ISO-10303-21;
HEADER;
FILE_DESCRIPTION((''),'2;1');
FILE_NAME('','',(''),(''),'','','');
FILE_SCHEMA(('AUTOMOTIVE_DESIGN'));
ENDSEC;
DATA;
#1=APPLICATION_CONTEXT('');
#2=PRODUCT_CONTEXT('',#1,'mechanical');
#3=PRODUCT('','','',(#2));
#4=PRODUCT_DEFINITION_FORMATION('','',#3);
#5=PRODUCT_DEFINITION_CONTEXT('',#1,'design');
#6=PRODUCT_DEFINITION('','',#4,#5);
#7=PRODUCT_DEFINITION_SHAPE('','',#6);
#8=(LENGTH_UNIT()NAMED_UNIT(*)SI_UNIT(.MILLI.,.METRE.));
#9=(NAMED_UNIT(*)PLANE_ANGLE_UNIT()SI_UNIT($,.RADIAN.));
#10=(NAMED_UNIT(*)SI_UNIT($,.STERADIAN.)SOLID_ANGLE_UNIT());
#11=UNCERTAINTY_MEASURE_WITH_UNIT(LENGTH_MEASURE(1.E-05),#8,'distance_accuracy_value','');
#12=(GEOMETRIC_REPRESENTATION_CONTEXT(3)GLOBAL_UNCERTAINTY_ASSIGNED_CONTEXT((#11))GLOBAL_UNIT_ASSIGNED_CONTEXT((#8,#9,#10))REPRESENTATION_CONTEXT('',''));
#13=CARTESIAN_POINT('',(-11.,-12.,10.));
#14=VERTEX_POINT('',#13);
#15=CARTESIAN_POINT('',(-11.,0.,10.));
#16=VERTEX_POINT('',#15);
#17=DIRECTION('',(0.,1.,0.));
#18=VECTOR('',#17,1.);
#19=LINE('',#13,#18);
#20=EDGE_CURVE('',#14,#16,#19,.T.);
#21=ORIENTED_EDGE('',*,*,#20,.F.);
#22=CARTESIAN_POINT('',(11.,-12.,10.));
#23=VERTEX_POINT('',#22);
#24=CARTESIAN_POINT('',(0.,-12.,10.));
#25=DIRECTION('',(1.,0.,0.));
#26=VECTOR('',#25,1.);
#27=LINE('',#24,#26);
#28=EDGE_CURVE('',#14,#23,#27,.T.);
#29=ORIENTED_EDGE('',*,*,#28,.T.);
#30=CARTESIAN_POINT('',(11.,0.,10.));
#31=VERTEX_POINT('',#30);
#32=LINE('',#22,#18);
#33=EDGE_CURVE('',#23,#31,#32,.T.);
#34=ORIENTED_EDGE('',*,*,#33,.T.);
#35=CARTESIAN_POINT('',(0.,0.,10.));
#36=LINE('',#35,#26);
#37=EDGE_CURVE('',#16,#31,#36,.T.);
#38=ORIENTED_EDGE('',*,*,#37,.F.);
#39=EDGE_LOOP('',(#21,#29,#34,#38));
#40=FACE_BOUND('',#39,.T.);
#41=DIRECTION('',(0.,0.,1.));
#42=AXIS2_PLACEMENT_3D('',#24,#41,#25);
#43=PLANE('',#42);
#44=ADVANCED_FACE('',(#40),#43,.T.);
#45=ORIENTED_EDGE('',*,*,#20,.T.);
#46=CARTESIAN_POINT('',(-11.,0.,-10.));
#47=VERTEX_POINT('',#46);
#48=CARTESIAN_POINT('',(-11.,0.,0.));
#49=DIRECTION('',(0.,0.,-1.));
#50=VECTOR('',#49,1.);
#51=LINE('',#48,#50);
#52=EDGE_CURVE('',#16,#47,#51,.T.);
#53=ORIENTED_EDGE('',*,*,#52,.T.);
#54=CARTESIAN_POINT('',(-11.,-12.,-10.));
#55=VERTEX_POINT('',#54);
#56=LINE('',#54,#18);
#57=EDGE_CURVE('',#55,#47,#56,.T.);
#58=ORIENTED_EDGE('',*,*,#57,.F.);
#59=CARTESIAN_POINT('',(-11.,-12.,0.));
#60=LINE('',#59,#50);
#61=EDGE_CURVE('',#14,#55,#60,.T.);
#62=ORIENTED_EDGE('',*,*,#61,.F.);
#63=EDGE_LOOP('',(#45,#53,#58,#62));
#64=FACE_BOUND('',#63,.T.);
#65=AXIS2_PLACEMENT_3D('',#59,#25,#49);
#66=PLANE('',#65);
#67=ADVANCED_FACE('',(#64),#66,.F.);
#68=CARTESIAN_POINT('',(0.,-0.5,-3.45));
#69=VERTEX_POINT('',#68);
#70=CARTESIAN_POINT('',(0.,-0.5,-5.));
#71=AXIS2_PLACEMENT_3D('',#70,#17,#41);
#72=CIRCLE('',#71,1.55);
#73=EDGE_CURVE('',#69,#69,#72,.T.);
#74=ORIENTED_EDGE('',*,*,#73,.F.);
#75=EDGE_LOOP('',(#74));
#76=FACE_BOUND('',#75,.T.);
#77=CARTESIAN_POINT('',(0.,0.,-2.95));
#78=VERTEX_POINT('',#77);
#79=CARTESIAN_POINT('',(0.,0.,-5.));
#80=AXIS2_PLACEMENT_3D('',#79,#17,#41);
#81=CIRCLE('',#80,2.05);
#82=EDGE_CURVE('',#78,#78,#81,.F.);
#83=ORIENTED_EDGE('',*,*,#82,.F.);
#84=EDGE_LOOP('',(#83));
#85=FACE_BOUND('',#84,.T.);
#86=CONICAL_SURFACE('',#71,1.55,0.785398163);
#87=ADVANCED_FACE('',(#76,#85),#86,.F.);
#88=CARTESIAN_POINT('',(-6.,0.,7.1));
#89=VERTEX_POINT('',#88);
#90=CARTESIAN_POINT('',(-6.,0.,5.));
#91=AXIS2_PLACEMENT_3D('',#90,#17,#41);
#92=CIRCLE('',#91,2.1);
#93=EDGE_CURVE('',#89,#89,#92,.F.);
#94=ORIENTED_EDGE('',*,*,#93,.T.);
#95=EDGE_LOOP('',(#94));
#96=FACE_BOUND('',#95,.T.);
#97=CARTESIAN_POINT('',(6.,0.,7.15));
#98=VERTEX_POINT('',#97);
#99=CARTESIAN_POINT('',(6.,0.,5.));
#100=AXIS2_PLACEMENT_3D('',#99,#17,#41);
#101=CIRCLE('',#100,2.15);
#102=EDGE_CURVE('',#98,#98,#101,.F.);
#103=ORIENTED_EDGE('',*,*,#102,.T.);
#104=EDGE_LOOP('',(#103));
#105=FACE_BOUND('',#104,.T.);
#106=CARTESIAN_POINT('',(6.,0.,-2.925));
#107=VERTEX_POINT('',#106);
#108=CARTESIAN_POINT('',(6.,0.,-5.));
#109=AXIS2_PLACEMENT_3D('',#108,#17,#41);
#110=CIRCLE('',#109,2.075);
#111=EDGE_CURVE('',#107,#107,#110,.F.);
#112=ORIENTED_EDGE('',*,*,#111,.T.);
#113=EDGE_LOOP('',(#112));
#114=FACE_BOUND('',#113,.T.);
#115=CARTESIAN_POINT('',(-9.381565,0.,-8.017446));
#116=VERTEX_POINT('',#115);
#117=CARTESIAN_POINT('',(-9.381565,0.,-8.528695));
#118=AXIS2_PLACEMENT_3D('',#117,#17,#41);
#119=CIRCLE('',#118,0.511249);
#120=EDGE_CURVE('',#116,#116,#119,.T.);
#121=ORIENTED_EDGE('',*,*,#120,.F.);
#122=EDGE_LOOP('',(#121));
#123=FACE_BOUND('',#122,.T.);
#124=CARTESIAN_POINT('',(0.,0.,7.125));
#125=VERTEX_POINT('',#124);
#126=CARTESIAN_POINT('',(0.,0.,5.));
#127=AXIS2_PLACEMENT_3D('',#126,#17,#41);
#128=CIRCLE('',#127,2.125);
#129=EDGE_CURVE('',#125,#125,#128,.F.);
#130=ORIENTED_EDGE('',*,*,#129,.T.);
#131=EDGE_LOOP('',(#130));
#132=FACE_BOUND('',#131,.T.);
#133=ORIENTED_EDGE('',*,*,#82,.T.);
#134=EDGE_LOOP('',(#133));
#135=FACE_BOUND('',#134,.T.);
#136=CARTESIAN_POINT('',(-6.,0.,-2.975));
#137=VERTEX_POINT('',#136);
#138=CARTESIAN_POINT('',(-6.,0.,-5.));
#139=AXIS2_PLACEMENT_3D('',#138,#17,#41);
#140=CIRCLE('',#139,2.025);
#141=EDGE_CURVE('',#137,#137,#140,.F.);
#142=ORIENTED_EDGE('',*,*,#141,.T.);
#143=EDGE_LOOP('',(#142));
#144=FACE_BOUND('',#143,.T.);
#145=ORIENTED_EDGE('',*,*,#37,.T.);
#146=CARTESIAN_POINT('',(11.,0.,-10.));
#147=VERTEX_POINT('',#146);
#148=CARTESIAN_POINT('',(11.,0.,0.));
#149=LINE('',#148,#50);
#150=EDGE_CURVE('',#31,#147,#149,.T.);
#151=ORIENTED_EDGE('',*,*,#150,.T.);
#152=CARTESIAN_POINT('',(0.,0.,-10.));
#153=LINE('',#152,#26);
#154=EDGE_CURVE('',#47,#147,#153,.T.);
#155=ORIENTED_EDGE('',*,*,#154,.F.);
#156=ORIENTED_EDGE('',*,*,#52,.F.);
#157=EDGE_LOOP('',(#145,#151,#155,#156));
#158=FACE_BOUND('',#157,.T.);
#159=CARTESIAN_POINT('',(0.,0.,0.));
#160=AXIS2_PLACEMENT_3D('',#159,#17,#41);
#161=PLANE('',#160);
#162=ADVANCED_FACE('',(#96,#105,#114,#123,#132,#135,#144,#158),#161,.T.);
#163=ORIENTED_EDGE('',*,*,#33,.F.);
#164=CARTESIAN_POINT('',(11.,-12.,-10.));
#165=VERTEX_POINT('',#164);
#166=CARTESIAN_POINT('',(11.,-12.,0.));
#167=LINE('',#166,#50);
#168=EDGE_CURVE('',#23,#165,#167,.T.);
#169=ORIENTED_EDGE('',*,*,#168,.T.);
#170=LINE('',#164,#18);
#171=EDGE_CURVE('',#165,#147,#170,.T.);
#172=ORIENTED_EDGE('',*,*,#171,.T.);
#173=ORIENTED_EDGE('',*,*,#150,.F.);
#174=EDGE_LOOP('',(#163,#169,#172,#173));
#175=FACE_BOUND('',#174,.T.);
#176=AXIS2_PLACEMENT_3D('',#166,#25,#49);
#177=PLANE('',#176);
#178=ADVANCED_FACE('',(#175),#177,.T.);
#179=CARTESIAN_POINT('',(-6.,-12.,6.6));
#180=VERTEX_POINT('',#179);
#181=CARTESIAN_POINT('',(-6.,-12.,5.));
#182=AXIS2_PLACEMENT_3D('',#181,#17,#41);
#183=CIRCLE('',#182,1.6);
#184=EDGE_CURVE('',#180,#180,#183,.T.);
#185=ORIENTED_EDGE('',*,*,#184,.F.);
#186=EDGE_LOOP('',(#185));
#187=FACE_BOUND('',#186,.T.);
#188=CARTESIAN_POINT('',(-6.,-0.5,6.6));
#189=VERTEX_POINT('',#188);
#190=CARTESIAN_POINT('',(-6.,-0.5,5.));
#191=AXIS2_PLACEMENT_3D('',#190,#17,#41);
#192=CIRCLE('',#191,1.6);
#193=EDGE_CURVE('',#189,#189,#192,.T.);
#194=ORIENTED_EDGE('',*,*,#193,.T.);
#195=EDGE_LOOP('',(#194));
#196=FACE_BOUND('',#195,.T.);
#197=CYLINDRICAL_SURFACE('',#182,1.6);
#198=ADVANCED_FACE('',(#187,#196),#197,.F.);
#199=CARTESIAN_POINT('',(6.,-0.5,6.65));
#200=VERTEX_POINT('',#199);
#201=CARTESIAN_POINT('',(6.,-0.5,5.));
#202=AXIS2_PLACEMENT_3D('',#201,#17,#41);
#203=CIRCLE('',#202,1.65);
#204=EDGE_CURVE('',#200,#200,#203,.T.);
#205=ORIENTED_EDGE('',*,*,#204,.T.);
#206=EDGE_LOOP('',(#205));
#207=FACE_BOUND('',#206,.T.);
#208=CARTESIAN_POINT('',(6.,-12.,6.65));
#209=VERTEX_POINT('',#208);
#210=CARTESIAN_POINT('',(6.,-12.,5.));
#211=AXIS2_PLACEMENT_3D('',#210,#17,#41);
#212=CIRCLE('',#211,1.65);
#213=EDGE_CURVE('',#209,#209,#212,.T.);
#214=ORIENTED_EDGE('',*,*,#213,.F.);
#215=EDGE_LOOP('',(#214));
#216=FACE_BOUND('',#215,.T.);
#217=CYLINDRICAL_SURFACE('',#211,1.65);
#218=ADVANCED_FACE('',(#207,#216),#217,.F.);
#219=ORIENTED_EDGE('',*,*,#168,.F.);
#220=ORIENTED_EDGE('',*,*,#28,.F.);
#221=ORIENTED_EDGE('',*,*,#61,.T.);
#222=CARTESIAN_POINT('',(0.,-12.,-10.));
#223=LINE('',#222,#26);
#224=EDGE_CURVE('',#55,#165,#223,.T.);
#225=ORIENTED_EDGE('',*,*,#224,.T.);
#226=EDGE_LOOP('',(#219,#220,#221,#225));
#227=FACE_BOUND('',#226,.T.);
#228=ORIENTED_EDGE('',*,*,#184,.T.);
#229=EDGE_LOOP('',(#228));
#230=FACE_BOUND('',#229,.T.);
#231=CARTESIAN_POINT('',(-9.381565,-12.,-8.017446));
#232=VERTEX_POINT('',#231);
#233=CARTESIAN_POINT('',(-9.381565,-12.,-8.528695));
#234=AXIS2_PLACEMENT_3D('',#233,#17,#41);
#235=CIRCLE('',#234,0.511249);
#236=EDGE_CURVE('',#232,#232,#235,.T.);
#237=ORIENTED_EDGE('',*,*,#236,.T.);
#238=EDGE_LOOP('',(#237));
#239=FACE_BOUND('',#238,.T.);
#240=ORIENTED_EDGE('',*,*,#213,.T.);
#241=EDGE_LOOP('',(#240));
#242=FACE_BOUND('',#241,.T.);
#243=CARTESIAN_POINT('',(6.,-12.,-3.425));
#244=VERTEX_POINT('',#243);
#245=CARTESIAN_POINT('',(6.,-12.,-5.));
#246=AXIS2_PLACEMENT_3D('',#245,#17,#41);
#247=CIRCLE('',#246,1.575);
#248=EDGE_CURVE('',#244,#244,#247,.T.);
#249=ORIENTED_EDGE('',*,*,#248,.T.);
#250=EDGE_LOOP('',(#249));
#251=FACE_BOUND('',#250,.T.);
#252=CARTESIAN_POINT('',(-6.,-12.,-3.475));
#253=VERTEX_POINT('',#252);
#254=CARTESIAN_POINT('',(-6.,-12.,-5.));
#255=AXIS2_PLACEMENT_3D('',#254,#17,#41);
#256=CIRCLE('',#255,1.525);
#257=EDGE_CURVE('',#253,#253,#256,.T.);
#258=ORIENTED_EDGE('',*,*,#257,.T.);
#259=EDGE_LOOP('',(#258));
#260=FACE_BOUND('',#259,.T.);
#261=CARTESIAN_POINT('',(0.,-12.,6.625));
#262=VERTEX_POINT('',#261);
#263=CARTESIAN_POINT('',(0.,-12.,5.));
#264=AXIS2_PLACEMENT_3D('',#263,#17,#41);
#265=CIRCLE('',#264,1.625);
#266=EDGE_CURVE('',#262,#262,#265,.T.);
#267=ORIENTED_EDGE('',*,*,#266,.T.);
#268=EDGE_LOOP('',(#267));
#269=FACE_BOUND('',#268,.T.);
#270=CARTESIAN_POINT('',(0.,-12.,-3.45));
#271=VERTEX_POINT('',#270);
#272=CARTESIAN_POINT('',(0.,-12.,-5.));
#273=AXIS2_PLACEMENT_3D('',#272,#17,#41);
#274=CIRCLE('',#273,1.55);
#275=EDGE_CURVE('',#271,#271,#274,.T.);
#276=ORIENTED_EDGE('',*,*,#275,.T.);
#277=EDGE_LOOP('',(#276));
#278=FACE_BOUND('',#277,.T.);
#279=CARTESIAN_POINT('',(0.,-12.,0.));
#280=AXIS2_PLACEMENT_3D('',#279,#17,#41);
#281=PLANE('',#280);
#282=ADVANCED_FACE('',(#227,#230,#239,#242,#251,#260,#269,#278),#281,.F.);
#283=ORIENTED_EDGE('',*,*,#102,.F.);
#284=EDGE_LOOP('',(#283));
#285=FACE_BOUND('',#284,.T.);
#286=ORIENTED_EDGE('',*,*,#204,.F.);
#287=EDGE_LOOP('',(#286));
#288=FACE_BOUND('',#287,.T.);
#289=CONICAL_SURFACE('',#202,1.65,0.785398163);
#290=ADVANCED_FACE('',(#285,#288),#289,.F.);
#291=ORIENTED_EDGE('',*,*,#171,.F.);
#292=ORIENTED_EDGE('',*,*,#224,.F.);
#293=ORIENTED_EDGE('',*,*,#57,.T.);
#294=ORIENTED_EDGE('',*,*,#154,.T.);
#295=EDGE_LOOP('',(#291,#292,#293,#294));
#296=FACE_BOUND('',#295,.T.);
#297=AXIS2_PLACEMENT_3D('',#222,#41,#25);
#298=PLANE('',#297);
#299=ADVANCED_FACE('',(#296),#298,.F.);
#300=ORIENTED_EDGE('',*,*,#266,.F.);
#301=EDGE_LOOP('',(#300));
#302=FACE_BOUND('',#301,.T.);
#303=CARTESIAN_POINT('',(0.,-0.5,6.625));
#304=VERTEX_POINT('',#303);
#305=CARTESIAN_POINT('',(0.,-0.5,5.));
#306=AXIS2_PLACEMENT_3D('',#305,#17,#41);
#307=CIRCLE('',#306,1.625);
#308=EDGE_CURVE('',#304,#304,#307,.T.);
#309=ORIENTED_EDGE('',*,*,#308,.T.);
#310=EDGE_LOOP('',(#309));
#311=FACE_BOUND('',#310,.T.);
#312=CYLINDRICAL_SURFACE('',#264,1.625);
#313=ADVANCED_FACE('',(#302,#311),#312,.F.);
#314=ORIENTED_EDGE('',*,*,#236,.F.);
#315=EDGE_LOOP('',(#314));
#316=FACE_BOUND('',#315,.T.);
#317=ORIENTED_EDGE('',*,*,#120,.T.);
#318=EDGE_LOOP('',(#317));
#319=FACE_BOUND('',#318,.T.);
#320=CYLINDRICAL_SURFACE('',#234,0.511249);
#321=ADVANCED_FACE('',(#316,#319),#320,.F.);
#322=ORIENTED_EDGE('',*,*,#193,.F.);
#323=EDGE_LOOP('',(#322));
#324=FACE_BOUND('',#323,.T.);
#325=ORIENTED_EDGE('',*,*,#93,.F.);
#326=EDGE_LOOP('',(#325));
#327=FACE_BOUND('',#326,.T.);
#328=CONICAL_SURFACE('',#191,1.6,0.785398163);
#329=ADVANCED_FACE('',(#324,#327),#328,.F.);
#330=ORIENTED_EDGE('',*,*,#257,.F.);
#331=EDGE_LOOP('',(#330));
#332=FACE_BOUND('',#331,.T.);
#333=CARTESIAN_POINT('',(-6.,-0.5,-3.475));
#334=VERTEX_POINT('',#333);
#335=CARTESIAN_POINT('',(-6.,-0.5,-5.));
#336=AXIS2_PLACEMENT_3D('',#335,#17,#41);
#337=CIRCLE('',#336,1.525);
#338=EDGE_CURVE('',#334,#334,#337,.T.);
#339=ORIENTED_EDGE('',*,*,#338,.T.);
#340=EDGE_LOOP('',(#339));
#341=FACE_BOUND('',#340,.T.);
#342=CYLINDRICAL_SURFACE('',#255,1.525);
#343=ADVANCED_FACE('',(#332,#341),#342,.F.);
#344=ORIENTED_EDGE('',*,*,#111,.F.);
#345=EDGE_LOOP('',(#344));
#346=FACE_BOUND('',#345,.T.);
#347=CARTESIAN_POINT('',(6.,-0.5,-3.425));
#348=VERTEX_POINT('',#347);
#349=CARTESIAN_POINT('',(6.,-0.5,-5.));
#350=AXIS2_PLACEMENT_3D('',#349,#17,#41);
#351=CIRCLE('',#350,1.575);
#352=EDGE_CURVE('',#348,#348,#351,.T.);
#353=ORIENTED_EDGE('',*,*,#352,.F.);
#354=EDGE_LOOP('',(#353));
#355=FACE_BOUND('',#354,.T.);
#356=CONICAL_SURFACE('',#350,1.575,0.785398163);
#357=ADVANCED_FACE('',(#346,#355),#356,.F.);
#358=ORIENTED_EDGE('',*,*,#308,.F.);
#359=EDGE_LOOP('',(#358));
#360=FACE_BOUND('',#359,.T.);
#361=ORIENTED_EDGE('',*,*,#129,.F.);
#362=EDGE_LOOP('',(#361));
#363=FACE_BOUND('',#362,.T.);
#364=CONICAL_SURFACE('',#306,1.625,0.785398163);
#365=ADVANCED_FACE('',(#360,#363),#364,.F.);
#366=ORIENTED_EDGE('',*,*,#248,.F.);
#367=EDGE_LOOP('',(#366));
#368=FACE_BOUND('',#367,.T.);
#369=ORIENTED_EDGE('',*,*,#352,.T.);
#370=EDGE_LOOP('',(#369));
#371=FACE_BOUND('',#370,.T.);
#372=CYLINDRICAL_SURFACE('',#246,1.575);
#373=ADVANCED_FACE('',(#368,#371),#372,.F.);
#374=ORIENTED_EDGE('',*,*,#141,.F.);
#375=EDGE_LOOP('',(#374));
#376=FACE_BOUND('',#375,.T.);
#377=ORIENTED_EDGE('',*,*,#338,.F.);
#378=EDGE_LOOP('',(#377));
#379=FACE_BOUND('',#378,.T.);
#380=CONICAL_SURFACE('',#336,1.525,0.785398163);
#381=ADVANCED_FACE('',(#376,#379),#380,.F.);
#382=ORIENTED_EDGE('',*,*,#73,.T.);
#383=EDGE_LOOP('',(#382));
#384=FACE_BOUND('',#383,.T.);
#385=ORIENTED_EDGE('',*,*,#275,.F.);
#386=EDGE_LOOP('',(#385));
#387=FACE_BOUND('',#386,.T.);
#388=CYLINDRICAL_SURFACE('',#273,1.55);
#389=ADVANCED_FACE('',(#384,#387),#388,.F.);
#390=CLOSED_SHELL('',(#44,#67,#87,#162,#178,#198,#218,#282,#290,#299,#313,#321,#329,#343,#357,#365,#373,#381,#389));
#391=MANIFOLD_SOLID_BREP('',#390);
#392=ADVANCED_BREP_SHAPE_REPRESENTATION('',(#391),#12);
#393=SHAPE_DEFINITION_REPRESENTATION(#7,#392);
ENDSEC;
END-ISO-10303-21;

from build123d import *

# Parameters (mm, degrees)
SKETCH1_W           = 22
SKETCH1_H           = 20
SKETCH1_R           = 0.511248757
BOSS_EXTRUDE1_DEPTH = 12
SKETCH1_3_R         = 1.525
SKETCH1_3_R_2       = 1.55
SKETCH1_3_R_3       = 1.575
SKETCH1_3_R_4       = 1.6
SKETCH1_3_R_5       = 1.625
SKETCH1_3_R_6       = 1.65
CUT_EXTRUDE1_DEPTH  = 20.104973175
CHAMFER1_SIZE       = 0.5


with BuildPart() as part:
    # Sketch1 → Boss-Extrude1 (new body)
    with BuildSketch(Plane(origin=(0, 0, 0), x_dir=(1, 0, 0), z_dir=(0, 1, 0))):
        Rectangle(SKETCH1_W, SKETCH1_H)
        with Locations((-9.381564608, 8.528695098)):
            Circle(SKETCH1_R, mode=Mode.SUBTRACT)
    extrude(amount=-BOSS_EXTRUDE1_DEPTH)

    # Sketch1<3> → Cut-Extrude1 (cut, through all)
    with BuildSketch(Plane(origin=(0, 0, 0), x_dir=(1, 0, 0), z_dir=(0, 1, 0))):
        with Locations((-6, 5)):
            Circle(SKETCH1_3_R)
        with Locations((0, 5)):
            Circle(SKETCH1_3_R_2)
        with Locations((6, 5)):
            Circle(SKETCH1_3_R_3)
        with Locations((-6, -5)):
            Circle(SKETCH1_3_R_4)
        with Locations((0, -5)):
            Circle(SKETCH1_3_R_5)
        with Locations((6, -5)):
            Circle(SKETCH1_3_R_6)
    extrude(amount=-CUT_EXTRUDE1_DEPTH, mode=Mode.SUBTRACT)

    # Chamfer1
    chamfer1_edges = [part.edges().sort_by_distance(p)[0] for p in [
        (-7.6, 0, 5),
        (-1.625, 0, 5),
        (4.35, 0, 5),
        (4.425, 0, -5),
        (-1.55, 0, -5),
        (-7.525, 0, -5),
    ]]
    chamfer(chamfer1_edges, length=CHAMFER1_SIZE)


solid = part.part
